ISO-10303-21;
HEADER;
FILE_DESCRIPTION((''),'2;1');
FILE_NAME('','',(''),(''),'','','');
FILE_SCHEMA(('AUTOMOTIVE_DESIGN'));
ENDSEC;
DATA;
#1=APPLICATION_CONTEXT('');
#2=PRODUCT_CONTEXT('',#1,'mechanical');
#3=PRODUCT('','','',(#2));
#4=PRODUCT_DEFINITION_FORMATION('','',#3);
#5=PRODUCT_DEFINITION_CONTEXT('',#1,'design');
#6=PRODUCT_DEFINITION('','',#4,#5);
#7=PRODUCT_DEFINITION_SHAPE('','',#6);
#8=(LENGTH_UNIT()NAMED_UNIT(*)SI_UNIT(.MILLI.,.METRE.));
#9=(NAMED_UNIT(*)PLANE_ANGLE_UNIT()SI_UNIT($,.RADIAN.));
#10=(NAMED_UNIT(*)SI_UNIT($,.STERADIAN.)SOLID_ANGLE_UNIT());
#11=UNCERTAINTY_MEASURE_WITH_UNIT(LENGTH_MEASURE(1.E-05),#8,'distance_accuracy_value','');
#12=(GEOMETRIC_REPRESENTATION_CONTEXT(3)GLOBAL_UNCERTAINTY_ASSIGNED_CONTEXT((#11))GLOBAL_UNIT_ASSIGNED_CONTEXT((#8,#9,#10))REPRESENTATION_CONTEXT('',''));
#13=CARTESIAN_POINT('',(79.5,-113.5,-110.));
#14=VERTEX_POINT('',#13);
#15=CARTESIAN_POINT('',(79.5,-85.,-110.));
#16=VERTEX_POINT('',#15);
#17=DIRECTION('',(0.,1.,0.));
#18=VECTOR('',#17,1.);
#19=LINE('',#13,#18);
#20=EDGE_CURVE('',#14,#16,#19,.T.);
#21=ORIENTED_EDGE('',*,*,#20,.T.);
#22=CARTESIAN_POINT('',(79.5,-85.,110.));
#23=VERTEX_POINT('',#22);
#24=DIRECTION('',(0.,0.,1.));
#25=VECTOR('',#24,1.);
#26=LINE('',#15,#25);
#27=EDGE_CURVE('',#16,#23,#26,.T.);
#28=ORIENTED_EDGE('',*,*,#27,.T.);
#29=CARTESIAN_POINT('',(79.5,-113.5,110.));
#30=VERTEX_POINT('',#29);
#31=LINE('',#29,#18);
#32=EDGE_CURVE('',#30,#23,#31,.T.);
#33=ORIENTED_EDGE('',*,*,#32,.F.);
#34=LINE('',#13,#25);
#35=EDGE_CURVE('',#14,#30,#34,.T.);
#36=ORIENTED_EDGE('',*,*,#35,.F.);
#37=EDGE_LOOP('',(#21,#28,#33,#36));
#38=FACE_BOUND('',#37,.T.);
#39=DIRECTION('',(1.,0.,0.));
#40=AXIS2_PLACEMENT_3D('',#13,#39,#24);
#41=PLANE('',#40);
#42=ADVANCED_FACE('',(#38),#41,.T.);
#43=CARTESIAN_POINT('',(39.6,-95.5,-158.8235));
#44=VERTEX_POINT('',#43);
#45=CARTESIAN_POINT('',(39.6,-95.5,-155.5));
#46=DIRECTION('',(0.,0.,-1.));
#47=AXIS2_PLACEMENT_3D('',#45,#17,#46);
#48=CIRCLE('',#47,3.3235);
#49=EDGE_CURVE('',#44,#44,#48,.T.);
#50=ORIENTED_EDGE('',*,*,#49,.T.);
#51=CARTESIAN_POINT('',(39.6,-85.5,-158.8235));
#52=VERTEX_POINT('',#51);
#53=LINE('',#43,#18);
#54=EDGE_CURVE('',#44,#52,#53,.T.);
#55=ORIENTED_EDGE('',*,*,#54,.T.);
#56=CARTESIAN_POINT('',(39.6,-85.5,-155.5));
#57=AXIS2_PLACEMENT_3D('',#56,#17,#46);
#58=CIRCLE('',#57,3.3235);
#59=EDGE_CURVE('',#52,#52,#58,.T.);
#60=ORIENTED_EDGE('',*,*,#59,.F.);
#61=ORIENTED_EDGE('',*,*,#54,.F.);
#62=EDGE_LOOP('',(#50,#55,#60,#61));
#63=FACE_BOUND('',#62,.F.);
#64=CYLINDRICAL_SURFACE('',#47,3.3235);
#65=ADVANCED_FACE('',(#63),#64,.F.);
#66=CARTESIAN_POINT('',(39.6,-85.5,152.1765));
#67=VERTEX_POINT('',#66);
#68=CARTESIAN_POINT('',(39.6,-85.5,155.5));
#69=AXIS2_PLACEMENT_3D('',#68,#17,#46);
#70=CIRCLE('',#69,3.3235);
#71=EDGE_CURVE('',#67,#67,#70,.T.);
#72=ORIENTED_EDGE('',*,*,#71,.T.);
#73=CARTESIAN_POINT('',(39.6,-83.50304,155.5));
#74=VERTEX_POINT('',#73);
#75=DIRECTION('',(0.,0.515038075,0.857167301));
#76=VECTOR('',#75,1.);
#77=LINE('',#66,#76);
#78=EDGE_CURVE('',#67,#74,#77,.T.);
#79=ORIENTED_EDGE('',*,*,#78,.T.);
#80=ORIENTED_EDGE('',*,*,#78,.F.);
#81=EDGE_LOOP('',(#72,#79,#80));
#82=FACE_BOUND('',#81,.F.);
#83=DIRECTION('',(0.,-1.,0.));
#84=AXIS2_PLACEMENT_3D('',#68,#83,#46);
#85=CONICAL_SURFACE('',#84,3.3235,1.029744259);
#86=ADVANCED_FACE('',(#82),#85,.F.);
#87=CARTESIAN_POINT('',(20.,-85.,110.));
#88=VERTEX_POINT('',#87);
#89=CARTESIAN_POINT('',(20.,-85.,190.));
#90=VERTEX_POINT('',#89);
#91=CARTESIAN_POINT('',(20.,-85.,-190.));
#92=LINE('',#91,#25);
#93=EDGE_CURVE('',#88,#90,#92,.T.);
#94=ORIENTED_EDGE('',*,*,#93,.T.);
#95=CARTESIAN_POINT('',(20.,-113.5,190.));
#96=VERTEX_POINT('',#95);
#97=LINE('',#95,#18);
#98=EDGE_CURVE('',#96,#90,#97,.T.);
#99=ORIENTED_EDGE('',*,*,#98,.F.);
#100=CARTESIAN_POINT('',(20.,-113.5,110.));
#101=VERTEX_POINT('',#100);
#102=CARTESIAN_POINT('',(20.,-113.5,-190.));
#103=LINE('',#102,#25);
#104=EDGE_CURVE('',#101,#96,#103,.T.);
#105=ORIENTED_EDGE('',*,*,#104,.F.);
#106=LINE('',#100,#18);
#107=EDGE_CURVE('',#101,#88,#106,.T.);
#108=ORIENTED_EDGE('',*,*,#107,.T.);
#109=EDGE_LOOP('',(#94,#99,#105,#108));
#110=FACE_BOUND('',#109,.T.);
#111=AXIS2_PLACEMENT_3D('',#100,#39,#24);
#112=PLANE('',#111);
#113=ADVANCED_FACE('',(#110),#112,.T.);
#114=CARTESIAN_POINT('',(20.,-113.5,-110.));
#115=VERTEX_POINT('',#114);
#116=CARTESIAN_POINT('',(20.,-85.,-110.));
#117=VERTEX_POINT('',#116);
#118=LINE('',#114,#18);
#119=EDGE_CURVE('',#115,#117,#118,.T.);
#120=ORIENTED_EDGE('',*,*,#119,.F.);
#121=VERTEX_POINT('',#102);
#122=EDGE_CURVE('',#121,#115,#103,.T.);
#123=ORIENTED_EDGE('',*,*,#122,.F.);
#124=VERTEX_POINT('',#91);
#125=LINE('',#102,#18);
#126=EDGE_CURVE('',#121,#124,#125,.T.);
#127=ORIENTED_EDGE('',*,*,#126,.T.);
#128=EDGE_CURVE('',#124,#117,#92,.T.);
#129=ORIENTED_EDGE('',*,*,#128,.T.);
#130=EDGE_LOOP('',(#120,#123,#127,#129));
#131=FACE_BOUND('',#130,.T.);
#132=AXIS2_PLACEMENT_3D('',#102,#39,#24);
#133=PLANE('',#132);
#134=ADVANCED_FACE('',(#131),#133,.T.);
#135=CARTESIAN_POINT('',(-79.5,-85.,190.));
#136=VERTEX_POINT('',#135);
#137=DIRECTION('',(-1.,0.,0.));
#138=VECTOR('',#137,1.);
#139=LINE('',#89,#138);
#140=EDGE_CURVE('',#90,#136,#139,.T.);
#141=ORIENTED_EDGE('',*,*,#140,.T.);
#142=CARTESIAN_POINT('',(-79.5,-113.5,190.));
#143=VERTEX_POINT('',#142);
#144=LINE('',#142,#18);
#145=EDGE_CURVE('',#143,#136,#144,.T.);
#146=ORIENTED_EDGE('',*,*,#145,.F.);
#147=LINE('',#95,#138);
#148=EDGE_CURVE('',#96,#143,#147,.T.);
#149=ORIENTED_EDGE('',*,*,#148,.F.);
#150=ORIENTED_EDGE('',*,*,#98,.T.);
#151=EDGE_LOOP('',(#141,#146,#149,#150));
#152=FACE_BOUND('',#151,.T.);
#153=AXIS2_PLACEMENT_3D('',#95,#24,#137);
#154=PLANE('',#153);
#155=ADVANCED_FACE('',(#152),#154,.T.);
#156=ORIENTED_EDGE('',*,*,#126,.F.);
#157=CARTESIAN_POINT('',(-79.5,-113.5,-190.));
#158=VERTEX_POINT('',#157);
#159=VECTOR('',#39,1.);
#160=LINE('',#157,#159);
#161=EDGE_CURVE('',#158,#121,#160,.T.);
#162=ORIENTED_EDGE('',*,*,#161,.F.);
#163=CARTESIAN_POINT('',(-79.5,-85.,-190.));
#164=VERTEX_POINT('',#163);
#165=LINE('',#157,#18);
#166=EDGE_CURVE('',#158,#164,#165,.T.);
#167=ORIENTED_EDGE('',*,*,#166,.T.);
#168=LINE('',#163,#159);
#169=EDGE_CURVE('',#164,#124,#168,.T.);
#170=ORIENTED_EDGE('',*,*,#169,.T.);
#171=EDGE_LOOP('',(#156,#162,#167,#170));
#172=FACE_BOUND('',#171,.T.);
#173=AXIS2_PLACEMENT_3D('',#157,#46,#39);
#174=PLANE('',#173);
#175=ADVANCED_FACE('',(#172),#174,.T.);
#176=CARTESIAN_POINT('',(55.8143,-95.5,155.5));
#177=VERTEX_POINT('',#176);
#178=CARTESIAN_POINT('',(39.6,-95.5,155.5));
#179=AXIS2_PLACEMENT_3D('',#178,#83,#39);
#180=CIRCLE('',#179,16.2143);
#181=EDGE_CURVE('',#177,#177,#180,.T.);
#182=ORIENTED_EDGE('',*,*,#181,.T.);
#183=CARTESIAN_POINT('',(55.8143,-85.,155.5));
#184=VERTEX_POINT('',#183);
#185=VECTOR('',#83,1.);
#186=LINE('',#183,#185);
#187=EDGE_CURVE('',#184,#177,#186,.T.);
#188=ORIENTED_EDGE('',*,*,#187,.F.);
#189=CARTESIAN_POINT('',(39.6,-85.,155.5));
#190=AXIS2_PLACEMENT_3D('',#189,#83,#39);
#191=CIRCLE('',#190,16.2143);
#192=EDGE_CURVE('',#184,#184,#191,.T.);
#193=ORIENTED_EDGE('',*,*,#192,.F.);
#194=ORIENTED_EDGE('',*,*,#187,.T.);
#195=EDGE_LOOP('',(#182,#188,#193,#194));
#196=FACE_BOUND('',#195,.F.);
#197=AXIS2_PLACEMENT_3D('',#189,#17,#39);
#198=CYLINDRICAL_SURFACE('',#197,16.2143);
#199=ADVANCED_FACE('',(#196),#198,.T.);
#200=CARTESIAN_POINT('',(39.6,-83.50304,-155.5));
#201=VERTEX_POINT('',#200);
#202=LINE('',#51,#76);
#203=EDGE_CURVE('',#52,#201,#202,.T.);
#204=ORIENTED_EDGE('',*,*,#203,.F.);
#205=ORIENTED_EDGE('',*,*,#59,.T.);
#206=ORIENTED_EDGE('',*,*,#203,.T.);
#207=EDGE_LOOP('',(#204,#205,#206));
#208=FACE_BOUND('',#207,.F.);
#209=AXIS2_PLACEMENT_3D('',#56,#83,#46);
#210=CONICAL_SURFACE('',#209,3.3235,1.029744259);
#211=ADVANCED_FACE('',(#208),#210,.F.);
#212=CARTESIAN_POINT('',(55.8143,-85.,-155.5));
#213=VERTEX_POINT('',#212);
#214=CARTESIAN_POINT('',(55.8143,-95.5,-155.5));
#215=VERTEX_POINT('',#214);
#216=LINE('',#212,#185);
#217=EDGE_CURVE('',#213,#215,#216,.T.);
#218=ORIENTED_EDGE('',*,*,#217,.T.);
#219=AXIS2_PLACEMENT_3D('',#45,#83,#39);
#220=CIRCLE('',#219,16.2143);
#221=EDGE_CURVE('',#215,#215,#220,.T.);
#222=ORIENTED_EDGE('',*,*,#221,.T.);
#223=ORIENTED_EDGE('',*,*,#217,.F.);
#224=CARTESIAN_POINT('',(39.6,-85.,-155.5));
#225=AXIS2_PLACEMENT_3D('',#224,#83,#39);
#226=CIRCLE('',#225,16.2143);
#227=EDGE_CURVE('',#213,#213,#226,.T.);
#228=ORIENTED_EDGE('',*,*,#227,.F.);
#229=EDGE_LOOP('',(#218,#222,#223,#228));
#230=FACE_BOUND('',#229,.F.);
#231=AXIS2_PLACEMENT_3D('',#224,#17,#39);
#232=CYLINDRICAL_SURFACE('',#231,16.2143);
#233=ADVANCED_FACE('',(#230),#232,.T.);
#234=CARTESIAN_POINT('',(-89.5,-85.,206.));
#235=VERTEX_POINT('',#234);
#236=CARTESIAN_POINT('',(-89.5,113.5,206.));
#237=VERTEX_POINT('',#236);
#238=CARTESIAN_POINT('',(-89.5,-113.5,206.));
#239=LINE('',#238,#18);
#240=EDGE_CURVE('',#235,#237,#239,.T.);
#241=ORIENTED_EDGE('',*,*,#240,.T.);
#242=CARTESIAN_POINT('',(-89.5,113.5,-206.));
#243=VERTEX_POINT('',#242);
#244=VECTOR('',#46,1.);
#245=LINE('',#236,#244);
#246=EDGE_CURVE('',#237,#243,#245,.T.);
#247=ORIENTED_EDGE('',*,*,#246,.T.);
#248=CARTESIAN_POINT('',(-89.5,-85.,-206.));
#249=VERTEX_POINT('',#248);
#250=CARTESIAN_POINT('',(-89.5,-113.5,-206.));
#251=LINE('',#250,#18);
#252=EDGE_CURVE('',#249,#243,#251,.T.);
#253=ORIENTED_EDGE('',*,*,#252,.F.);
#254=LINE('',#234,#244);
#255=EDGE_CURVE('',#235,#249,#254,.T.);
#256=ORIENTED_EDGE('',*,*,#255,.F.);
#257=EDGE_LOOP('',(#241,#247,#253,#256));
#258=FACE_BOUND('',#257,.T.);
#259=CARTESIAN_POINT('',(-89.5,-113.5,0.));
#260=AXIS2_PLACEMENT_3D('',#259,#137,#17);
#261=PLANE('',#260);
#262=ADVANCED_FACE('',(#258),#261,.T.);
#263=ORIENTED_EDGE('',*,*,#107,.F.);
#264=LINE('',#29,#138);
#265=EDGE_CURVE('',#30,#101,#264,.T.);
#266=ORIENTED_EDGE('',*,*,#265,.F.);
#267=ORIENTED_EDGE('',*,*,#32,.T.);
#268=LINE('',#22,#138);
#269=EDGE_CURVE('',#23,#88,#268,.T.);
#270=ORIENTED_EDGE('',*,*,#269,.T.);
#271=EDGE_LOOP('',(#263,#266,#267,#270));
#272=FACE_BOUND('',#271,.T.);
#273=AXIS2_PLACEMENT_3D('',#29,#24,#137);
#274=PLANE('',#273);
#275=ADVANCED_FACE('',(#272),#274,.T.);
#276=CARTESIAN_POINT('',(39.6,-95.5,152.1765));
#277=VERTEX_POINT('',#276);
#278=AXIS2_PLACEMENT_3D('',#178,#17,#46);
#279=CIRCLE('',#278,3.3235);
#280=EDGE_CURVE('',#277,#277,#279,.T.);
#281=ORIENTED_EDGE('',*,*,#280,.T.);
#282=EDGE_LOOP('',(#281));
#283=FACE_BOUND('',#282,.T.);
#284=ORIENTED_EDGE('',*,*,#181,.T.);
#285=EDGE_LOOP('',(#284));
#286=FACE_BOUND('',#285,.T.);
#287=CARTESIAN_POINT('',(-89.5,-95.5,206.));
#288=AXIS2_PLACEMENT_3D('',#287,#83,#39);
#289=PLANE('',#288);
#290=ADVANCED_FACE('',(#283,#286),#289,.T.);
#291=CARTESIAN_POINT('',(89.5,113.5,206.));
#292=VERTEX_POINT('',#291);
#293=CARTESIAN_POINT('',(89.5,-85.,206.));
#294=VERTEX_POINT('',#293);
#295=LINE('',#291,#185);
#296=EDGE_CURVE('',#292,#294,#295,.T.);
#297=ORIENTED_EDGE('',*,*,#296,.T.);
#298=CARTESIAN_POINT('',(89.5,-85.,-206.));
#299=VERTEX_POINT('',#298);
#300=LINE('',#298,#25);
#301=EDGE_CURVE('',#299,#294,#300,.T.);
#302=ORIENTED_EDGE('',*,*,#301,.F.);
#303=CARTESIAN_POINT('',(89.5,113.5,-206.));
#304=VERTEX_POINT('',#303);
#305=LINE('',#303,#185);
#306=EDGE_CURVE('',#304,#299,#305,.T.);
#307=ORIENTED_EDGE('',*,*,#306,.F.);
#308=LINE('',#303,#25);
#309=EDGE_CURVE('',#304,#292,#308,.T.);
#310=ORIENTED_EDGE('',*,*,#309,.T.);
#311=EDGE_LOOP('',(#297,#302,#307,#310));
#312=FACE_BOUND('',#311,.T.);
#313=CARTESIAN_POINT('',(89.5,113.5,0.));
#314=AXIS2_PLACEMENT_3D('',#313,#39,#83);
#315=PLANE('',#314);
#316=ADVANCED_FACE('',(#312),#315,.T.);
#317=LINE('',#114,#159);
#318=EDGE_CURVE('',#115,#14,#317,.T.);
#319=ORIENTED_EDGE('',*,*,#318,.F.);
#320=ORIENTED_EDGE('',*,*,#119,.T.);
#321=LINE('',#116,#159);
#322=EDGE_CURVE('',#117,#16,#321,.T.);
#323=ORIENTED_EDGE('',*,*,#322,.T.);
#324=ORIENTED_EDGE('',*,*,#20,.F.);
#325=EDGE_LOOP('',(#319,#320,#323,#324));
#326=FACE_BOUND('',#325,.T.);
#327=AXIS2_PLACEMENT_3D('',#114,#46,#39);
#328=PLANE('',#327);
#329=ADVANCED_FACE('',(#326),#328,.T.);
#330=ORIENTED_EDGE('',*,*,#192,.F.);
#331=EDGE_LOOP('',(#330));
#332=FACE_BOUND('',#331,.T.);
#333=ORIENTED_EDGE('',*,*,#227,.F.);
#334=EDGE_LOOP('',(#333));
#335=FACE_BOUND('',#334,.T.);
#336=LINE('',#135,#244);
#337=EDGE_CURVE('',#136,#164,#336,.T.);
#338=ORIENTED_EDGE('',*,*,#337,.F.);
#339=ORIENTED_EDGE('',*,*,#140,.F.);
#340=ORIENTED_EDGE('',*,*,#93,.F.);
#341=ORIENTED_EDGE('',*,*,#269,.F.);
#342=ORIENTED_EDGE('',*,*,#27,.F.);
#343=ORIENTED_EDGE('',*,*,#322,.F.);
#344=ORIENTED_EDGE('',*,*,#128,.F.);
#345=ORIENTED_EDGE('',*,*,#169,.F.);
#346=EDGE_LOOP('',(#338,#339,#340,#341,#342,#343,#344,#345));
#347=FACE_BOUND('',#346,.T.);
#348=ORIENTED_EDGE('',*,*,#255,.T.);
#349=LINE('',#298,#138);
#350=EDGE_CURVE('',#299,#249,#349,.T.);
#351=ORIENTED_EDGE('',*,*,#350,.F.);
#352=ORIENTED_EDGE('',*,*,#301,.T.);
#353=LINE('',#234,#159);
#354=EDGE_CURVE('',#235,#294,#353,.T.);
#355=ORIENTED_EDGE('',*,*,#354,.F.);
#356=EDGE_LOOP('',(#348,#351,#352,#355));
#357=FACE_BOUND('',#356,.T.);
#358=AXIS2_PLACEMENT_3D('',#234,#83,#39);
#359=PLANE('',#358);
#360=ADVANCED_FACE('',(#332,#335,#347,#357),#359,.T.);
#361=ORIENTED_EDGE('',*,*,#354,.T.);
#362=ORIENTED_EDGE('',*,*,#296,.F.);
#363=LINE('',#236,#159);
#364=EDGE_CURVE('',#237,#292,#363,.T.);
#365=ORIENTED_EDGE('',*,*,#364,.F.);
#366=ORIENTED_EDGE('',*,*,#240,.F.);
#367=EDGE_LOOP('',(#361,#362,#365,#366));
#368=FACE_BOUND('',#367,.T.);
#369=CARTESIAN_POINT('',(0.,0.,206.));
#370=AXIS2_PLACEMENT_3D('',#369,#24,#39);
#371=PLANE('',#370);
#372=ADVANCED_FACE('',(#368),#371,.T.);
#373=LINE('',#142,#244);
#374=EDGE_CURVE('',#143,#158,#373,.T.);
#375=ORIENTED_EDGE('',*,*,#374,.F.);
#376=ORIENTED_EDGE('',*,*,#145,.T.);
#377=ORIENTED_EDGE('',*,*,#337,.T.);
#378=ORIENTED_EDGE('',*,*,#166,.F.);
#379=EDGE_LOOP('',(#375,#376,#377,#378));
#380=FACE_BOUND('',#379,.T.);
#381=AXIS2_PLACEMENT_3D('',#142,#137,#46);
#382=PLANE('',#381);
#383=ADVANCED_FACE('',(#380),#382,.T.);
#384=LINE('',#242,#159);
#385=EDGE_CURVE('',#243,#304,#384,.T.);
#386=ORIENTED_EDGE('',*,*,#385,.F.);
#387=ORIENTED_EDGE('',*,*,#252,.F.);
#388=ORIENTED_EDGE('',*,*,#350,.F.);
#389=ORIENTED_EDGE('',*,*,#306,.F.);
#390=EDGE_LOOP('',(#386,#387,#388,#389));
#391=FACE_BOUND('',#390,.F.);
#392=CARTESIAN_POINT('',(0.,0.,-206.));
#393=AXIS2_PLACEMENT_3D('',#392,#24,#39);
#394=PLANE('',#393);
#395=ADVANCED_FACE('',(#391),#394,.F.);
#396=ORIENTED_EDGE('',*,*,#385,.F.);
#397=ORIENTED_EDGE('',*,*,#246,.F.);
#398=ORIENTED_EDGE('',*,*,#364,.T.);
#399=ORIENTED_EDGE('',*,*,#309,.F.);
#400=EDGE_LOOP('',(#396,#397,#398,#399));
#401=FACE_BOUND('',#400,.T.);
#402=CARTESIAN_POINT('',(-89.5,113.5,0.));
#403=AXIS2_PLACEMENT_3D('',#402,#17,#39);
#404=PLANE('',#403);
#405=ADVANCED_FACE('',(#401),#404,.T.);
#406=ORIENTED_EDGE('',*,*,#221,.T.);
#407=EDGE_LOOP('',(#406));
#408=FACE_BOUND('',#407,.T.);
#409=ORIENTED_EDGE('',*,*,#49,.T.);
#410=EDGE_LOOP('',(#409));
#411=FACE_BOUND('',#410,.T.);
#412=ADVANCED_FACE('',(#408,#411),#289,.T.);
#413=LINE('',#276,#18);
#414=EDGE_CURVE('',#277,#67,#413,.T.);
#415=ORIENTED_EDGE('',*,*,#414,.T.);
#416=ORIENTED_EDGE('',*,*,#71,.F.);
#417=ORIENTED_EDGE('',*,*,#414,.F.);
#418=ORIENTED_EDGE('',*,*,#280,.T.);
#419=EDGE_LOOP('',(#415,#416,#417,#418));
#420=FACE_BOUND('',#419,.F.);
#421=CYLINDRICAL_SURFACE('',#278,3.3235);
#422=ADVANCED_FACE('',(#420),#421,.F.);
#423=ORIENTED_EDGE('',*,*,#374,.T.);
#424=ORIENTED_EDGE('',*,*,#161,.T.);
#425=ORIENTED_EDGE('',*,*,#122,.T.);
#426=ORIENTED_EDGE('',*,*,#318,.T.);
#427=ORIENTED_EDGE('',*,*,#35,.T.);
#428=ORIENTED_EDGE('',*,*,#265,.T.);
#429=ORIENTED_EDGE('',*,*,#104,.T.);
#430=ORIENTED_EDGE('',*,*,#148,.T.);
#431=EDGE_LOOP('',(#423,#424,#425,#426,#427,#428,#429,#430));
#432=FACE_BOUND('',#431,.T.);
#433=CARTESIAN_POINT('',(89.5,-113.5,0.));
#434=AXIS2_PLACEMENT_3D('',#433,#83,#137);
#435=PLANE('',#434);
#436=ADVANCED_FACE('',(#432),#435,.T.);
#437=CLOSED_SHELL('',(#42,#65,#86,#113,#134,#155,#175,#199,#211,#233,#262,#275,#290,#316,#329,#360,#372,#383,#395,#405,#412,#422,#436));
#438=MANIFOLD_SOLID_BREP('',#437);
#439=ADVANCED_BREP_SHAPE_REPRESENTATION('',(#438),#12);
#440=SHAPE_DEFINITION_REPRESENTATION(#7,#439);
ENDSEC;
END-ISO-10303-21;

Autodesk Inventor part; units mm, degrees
ref_plane "YZ Plane" through (0, 0, 0) normal (1, 0, 0) x (0, 1, 0)
ref_plane "XZ Plane" through (0, 0, 0) normal (0, 1, 0) x (-1, 0, 0)
ref_plane "XY Plane" through (0, 0, 0) normal (0, 0, 1) x (1, 0, 0)
sketch "Sketch1" plane through (0, 0, 0) normal (0, 0, 1) x (1, 0, 0)
  line L0 (0, 158.9) -> (0, -158.9) construction
  line L1 (-125.3, 0) -> (125.3, 0) construction
  line L2 (89.5, -113.5) -> (-89.5, -113.5)
  line L3 (-89.5, -113.5) -> (-89.5, 113.5)
  line L4 (-89.5, 113.5) -> (89.5, 113.5)
  line L5 (89.5, 113.5) -> (89.5, -113.5)
  line L6 (89.5, -113.5) -> (-89.5, 113.5) construction
  line L7 (-89.5, -113.5) -> (89.5, 113.5) construction
  point P0 (0, 0)
  dimension "d4" = 227
  dimension "d5" = 179
extrude "Extrusion3" add sketch "Sketch1" along normal mid plane 412
sketch "Sketch2" plane through (-89.5, -113.5, 206) normal (0, -1, 0) x (1, 0, 0)
  line L0 (179, -412) -> (179, 0) projected
  line L1 (0, 0) -> (179, 0) projected
  line L2 (0, 0) -> (0, -412) projected
  line L3 (179, -412) -> (0, -412) projected
  line L4 (109.5, -16) -> (10, -16)
  line L5 (10, -16) -> (10, -396)
  line L6 (10, -396) -> (109.5, -396)
  line L7 (109.5, -396) -> (109.5, -16)
  line L8 (109.5, -16) -> (10, -396) construction
  line L9 (10, -16) -> (109.5, -396) construction
  line L10 (169, -96) -> (109.5, -96)
  line L11 (109.5, -96) -> (109.5, -316)
  line L12 (109.5, -316) -> (169, -316)
  line L13 (169, -316) -> (169, -96)
  line L14 (169, -96) -> (109.5, -316) construction
  line L15 (109.5, -96) -> (169, -316) construction
  point P0 (89.5, -206)
  point P1 (59.75, -206)
  point P2 (139.25, -206)
  point P3 (59.75, -206)
  point P4 (139.25, -206)
  dimension "d8" = 220
  dimension "d9" = 380
  dimension "d10" = 10
  dimension "d11" = 10
  dimension "d12" = 20
extrude "Extrusion4" cut sketch "Sketch2" against normal blind 28.5
sketch "Sketch3" plane through (-89.5, -85, 206) normal (0, -1, 0) x (1, 0, 0)
  circle A0 centre (129.1, -361.5) radius 16.2143
  circle A1 centre (129.1, -50.5) radius 16.2143
  line L0 (179, -412) -> (0, -412) projected
  line L1 (0, 0) -> (179, 0) projected
  line L2 (89.5, 82.4) -> (89.5, -494.4) projected
  point P0 (89.5, -206)
  dimension "d17" = 311
  dimension "d18" = 50.5
  dimension "d20" = 50.5
  dimension "d21" = 39.6
extrude "Extrusion5" add sketch "Sketch3" along normal blind 10.5
sketch "Sketch4" plane through (39.6, -95.5, -155.5) normal (0, -1, 0) x (1, 0, 0)
  circle A0 centre (0, 0) radius 16.2143 projected
  circle A1 centre (0, 311) radius 16.2143 projected
  line L0 (49.9, 361.5) -> (49.9, -50.5) projected
  line L1 (-129.1, 361.5) -> (49.9, 361.5) projected
  line L2 (-129.1, -50.5) -> (-129.1, 361.5) projected
  line L3 (49.9, -50.5) -> (-129.1, -50.5) projected
  line L4 (-19.6, 265.5) -> (-19.6, 345.5) projected
  line L5 (39.9, 265.5) -> (-19.6, 265.5) projected
  line L6 (39.9, 45.5) -> (39.9, 265.5) projected
  line L7 (-19.6, 45.5) -> (39.9, 45.5) projected
  line L8 (-19.6, -34.5) -> (-19.6, 45.5) projected
  line L9 (-119.1, -34.5) -> (-19.6, -34.5) projected
  line L10 (-119.1, 345.5) -> (-119.1, -34.5) projected
  line L11 (-19.6, 345.5) -> (-119.1, 345.5) projected
  point P0 (-39.6, 155.5)
hole "Hole1" at (39.6, -95.5, -155.5) at (39.6, -95.5, 155.5) direction (0, 1, 0) diameter 6.647 depth 10 tip angle 118 thread size "M8x1.25" class "6H" standard "ISO Metric profile"
equation "\"d18\" = d20"
properties part number "17-0028-0034" material "ABS Plastic"
